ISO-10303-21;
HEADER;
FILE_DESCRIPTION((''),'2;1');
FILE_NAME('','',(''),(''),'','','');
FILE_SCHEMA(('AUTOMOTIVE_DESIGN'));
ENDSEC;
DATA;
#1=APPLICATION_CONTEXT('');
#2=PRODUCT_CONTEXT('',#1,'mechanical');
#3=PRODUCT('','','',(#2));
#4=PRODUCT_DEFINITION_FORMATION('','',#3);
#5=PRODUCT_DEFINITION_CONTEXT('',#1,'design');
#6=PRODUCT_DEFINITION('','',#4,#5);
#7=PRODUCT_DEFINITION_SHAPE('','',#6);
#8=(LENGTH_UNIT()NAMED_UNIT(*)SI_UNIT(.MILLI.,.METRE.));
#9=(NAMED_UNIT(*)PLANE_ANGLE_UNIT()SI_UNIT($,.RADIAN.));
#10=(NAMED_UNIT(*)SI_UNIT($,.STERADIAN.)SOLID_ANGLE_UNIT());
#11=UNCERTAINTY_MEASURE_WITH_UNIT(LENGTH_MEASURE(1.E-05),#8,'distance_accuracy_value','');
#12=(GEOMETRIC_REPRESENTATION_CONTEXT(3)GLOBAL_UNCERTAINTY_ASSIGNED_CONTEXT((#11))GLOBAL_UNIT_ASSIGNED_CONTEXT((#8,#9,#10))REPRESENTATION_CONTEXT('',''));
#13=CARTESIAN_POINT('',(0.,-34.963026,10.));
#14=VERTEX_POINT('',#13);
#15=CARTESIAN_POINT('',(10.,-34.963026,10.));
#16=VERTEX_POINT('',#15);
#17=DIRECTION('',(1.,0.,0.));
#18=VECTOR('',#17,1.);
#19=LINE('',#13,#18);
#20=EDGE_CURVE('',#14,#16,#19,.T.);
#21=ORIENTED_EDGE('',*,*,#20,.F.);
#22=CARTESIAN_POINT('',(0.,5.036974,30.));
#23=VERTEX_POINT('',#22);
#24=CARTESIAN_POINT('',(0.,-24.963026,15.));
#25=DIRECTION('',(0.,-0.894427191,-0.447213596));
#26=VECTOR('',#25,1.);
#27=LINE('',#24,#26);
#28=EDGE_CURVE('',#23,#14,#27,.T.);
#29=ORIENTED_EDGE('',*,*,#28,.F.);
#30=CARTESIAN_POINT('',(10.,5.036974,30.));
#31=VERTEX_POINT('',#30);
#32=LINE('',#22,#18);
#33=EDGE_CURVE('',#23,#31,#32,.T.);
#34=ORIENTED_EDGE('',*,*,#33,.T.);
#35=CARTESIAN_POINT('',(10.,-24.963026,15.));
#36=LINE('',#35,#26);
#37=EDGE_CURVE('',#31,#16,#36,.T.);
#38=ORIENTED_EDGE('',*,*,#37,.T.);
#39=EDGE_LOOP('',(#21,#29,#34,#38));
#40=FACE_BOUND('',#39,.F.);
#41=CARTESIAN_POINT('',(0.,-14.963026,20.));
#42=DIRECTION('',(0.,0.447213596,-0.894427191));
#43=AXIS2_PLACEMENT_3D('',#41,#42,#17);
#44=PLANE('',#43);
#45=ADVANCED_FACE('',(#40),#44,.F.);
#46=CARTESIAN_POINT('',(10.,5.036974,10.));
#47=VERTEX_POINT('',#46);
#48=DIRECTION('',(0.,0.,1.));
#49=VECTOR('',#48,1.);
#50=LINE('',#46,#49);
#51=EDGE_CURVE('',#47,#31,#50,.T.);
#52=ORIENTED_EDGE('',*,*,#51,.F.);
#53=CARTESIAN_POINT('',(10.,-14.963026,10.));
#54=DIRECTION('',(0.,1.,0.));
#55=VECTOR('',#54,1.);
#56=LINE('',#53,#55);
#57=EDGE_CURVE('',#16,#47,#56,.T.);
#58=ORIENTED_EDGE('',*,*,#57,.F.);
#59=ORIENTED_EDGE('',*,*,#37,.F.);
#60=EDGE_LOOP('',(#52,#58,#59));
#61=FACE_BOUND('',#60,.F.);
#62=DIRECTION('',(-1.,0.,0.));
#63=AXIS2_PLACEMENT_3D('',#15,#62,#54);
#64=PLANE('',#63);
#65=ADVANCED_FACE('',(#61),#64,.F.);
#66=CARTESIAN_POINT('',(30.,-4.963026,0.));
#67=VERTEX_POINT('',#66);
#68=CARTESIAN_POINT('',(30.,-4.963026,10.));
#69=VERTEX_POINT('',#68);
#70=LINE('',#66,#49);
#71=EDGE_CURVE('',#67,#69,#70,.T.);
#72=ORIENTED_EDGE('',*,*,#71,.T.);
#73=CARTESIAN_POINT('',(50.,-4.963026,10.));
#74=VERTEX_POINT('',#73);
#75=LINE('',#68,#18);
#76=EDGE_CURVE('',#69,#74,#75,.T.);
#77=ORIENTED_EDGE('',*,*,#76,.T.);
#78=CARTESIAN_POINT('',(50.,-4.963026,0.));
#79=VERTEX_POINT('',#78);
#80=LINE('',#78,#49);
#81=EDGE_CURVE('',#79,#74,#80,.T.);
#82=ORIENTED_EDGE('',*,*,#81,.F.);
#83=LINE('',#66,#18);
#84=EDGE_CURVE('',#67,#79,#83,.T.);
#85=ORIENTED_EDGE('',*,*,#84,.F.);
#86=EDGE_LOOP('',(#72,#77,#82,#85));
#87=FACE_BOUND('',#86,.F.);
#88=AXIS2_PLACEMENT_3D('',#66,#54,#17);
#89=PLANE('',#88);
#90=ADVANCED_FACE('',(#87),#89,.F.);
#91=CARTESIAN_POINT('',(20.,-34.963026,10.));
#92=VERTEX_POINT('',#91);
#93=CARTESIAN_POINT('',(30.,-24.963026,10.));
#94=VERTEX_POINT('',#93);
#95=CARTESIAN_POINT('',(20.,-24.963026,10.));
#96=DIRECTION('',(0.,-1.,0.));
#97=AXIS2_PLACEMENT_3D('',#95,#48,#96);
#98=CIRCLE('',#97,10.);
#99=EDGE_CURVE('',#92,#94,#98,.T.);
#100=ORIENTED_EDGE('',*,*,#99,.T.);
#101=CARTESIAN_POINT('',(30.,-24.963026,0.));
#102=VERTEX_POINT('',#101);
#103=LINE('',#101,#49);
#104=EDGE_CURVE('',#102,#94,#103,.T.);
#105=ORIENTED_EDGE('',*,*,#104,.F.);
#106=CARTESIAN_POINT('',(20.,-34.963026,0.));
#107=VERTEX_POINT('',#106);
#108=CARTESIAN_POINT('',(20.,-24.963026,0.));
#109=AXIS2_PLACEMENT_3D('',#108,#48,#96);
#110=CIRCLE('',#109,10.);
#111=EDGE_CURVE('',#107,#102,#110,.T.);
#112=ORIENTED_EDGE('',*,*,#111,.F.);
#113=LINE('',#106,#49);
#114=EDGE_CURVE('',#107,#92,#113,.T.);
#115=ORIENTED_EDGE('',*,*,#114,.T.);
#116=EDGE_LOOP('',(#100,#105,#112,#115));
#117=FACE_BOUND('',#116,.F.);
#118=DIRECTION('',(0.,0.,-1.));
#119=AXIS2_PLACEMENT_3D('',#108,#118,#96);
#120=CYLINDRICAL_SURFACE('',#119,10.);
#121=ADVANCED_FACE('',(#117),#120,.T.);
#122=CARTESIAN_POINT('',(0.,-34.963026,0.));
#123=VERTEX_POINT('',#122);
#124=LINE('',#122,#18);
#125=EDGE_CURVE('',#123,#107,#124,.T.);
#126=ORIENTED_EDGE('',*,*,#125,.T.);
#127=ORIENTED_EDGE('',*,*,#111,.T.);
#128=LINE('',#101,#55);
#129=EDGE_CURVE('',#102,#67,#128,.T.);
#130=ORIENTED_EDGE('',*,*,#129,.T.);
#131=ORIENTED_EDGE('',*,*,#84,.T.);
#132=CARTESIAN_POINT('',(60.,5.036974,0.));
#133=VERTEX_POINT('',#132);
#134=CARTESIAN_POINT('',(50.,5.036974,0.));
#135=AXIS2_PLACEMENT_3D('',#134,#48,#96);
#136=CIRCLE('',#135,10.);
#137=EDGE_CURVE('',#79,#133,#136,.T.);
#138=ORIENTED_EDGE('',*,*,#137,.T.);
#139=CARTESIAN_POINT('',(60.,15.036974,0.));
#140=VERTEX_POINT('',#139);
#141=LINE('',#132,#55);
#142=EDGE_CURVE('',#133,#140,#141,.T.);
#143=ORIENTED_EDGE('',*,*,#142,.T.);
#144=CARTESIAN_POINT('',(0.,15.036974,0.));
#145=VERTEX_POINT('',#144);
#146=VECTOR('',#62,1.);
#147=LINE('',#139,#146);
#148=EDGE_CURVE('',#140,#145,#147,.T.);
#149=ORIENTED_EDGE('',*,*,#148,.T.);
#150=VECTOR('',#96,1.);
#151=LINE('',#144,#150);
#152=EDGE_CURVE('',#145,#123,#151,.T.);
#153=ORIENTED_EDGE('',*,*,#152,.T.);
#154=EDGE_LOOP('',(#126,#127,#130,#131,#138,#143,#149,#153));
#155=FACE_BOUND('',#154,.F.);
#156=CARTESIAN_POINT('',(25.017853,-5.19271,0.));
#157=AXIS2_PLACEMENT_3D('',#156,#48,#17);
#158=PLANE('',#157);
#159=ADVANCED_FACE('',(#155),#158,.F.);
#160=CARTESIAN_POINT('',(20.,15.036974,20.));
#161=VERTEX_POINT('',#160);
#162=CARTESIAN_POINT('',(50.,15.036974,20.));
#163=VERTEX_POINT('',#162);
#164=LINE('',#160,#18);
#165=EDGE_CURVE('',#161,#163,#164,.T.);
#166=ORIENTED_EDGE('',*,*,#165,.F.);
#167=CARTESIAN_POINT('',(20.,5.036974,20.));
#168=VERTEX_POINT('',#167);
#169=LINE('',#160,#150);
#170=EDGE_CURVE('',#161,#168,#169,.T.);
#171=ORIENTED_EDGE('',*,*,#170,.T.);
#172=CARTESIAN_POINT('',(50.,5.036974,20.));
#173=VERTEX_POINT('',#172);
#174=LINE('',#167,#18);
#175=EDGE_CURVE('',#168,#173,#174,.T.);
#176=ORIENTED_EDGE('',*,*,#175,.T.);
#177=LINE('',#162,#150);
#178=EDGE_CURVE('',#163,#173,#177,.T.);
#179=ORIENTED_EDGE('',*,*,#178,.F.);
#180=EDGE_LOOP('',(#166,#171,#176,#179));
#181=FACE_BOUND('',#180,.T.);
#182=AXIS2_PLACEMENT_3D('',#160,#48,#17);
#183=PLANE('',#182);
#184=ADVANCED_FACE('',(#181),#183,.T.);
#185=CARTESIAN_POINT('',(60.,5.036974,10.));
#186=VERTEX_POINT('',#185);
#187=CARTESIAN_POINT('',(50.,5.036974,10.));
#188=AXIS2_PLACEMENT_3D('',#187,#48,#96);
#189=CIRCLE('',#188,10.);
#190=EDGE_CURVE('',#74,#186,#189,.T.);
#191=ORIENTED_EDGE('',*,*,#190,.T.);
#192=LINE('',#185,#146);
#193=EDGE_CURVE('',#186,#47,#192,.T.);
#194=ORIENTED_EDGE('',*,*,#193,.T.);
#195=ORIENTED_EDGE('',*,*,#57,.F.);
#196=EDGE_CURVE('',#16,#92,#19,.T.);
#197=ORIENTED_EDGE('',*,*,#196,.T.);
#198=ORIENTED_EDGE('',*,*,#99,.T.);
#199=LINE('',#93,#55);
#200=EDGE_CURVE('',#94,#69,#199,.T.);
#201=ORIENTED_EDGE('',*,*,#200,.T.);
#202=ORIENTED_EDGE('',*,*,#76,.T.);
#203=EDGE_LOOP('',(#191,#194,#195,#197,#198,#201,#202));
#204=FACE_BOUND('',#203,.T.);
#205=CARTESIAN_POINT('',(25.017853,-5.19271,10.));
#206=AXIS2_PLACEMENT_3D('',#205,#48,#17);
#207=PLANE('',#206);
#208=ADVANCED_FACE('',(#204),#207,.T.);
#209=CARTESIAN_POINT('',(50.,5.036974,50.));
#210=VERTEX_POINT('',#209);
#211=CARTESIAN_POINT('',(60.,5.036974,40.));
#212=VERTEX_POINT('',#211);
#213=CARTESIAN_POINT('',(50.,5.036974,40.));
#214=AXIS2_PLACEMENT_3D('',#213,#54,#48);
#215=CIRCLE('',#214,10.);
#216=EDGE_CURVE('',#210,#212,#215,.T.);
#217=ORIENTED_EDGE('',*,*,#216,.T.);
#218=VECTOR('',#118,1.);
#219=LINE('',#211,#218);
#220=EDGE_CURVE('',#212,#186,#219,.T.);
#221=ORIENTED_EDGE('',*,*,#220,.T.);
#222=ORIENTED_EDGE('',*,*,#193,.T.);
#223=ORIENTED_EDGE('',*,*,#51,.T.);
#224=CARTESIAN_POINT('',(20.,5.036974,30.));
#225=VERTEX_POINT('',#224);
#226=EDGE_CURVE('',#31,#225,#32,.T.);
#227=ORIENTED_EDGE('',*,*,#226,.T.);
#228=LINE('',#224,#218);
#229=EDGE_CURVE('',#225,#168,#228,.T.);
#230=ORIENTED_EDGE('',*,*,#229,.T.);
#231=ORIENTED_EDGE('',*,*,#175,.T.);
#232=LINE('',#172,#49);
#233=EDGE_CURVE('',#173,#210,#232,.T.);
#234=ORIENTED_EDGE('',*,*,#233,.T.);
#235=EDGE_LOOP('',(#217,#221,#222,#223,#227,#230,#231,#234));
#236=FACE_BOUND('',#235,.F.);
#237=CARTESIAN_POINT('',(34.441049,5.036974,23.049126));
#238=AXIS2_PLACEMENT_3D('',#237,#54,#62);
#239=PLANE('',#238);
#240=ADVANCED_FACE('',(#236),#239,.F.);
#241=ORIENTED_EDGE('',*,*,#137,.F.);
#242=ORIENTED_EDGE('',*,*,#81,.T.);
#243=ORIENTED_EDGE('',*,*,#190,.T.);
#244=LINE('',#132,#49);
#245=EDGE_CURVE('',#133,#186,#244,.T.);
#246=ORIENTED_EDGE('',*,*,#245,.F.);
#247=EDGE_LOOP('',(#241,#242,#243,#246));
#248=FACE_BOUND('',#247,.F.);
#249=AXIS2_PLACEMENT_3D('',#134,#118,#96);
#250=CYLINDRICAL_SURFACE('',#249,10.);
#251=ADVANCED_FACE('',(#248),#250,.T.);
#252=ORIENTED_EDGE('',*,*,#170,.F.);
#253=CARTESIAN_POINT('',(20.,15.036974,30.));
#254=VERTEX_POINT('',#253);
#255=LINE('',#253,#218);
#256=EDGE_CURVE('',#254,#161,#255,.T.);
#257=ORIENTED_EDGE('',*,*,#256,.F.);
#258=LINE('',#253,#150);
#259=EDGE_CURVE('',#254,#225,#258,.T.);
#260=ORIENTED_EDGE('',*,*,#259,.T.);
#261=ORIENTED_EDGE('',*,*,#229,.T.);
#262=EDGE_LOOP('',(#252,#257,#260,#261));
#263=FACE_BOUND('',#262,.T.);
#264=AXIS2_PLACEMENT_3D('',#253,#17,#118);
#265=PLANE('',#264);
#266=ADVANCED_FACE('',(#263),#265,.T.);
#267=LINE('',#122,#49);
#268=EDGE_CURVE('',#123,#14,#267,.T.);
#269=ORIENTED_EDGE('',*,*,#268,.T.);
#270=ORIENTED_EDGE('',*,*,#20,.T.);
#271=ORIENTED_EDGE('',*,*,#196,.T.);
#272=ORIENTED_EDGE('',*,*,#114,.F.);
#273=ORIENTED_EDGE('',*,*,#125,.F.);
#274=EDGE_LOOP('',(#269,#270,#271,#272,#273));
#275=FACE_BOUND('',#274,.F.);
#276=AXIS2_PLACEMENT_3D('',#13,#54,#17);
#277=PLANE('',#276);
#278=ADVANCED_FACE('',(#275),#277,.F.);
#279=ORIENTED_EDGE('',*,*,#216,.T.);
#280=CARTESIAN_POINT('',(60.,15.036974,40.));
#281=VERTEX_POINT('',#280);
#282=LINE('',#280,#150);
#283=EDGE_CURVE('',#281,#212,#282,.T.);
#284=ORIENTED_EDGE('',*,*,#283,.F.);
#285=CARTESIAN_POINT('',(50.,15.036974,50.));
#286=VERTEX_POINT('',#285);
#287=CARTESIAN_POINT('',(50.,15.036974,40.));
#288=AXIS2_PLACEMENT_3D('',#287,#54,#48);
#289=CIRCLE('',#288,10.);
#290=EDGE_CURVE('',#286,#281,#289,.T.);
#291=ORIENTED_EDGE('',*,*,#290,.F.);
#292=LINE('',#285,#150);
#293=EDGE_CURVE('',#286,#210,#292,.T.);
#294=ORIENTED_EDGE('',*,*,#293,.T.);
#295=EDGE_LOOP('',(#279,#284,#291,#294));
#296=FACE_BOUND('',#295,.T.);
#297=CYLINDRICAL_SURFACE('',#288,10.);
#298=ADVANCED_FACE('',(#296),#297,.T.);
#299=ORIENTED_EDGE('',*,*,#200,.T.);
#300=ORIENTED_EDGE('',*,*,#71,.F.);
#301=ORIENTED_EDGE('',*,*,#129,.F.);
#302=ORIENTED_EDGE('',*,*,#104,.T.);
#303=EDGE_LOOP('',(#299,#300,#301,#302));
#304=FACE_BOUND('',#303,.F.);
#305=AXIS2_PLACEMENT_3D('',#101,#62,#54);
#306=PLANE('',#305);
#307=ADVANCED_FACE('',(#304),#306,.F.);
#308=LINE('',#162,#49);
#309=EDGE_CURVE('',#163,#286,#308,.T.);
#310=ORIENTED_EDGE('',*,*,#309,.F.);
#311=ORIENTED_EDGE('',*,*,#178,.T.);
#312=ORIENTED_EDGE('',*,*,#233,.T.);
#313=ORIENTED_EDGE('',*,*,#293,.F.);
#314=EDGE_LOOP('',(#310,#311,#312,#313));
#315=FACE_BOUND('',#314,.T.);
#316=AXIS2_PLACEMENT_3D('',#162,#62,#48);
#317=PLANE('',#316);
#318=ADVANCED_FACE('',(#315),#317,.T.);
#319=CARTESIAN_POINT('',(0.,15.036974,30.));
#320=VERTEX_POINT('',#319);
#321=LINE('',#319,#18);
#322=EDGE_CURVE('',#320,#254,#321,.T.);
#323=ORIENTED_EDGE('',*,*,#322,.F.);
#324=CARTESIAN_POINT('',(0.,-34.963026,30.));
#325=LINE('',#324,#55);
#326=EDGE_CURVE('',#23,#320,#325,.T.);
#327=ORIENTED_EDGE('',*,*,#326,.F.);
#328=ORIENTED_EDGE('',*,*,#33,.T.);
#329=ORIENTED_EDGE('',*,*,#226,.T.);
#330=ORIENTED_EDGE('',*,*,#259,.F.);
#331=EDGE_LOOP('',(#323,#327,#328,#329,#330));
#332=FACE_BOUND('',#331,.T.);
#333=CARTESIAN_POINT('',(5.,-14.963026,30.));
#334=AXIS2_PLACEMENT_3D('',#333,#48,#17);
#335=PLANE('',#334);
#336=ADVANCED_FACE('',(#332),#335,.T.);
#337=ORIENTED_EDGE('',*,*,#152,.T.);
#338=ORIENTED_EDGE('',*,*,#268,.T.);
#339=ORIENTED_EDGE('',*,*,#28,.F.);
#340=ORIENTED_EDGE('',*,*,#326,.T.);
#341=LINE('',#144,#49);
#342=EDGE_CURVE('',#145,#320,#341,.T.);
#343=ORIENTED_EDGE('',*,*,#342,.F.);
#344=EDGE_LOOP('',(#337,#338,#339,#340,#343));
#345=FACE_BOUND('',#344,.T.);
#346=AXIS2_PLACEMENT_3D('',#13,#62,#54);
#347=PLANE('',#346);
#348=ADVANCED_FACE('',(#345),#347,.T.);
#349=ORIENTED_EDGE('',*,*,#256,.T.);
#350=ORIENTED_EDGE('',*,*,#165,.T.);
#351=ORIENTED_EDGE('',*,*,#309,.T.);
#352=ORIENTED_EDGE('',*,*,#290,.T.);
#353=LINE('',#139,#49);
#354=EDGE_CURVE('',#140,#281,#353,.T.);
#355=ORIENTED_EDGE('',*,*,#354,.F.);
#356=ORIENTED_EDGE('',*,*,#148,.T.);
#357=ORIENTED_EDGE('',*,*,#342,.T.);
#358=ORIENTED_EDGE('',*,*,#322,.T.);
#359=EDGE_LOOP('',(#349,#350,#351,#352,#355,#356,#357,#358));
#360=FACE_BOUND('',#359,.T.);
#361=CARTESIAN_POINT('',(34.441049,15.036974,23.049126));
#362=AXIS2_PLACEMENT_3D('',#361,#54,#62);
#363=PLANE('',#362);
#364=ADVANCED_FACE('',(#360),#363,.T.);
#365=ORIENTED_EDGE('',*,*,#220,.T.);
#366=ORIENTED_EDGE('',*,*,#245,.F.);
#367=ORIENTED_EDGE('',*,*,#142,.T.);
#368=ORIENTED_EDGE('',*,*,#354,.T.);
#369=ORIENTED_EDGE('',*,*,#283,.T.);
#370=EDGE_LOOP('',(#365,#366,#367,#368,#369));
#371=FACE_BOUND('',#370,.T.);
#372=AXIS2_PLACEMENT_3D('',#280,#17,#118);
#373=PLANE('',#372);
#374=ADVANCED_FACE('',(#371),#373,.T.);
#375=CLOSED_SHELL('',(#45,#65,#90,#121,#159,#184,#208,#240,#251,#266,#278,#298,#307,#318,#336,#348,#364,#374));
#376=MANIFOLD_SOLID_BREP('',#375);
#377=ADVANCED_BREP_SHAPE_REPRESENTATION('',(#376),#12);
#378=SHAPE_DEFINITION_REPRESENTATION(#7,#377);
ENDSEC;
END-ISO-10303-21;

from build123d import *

# Parameters (mm, degrees)
F1_DEPTH = 10
F3_DEPTH = 10
F4_W     = 10
F4_H     = 40
F5_DEPTH = 20
F6_SIZE2 = 20
F6_SIZE  = 40


with BuildPart() as f1:
    # F0 (on Top) → F1 (new body)
    with BuildSketch(Plane.XY):
        with BuildLine():
            Line((60, 15.036973618), (0, 15.036973618))
            Line((0, 15.036973618), (0, -34.963026382))
            Line((0, -34.963026382), (20, -34.963026382))
            ThreePointArc((20, -34.963026382), (27.0710678119, -32.0340941939), (30, -24.963026382))
            Line((30, -24.963026382), (30, -4.963026382))
            Line((30, -4.963026382), (50, -4.963026382))
            ThreePointArc((50, -4.963026382), (57.0710678119, -2.0340941939), (60, 5.036973618))
            Line((60, 5.036973618), (60, 15.036973618))
        make_face()
    extrude(amount=F1_DEPTH)

    # F2 (on face) → F3 (join)
    with BuildSketch(Plane(origin=(0, 15.036973618, 0), x_dir=(-1, 0, 0), z_dir=(0, 1, 0))):
        with BuildLine():
            Line((-60, 40), (-60, 10))
            Line((-60, 10), (0, 10))
            Line((0, 10), (0, 30))
            Line((0, 30), (-20, 30))
            Line((-20, 30), (-20, 20))
            Line((-20, 20), (-50, 20))
            Line((-50, 20), (-50, 50))
            ThreePointArc((-50, 50), (-57.0710678119, 47.0710678119), (-60, 40))
        make_face()
    extrude(amount=-F3_DEPTH)

    # F4 (on face) → F5 (join)
    with BuildSketch(Plane.XY.offset(10)):
        with Locations((5, -14.963026382)):
            Rectangle(F4_W, F4_H)
    extrude(amount=F5_DEPTH)

    # F6
    f6_edges = [f1.edges().sort_by_distance(p)[0] for p in [
        (5, -34.963026, 30),
    ]]
    f6_side = f1.faces().sort_by_distance((6.666667, -6.629693, 30))[0]
    chamfer(f6_edges, length=F6_SIZE, length2=F6_SIZE2, reference=f6_side)


solid = f1.part
